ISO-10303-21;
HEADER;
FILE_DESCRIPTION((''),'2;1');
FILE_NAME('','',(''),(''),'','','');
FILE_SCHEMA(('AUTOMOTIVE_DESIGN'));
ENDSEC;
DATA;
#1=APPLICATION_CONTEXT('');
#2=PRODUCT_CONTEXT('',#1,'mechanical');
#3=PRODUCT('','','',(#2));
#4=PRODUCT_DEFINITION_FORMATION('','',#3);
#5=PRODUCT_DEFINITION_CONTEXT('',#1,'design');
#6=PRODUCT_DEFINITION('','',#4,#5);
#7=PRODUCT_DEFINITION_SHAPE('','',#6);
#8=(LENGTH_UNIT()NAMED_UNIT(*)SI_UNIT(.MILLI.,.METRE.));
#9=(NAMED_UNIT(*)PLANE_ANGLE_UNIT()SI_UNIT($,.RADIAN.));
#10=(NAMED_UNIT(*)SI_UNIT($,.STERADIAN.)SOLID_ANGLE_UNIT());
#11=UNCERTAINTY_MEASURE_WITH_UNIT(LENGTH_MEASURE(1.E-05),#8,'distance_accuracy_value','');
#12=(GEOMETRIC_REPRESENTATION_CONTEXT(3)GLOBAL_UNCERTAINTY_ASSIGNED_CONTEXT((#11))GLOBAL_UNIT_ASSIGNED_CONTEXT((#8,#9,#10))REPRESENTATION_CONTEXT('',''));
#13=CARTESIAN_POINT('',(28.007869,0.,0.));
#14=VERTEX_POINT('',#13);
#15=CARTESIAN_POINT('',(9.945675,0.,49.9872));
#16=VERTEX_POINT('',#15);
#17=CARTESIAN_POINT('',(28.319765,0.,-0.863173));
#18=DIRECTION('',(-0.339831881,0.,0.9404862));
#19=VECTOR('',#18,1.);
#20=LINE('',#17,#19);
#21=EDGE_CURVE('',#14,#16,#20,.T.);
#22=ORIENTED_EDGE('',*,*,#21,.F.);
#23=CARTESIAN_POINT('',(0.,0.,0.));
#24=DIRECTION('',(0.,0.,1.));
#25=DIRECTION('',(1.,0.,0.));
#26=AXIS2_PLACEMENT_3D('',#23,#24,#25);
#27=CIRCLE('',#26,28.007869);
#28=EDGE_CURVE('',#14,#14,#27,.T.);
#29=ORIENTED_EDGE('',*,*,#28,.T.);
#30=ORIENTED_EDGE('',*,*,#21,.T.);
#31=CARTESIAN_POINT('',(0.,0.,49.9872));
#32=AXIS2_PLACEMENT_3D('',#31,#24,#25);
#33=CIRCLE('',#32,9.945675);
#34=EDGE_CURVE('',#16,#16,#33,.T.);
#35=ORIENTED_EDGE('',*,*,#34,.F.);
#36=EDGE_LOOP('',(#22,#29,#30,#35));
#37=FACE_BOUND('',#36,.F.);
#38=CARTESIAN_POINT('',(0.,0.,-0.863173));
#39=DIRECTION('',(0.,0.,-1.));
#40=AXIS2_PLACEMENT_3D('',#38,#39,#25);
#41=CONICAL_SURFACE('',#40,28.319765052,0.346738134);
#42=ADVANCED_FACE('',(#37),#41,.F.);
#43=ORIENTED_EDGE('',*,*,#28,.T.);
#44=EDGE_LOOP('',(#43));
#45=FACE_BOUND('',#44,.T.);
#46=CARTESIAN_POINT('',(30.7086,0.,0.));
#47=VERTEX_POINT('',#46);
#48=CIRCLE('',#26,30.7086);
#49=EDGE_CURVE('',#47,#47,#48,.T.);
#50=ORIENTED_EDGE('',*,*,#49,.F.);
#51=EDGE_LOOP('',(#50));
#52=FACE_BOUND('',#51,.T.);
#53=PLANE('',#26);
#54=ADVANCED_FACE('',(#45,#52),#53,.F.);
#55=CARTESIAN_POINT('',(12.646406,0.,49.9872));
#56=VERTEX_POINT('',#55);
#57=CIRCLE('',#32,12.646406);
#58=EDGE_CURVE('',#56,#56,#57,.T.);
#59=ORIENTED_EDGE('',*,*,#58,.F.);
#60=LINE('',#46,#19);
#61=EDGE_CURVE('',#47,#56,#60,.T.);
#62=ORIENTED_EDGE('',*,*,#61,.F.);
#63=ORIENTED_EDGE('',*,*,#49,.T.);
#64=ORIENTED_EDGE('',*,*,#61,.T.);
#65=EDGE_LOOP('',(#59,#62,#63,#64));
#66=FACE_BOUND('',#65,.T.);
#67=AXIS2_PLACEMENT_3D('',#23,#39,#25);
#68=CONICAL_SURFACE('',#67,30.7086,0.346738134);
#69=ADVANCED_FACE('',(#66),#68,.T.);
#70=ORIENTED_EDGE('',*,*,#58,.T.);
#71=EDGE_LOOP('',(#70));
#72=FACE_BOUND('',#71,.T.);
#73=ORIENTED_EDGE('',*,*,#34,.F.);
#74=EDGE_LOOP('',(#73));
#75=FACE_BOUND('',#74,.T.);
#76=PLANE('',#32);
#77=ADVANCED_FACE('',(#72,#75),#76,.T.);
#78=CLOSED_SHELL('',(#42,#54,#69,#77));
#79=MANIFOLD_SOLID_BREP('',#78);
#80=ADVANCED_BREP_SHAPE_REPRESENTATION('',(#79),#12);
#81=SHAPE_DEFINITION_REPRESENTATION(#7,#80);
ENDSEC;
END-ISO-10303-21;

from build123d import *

# Parameters (mm, degrees)
F2_T = -2.54


with BuildPart() as f1:
    # F0 (on Front) → F1 (revolve)
    with BuildSketch(Plane.XZ):
        Polygon((12.646406, 49.9872), (0, 49.9872), (0, 0), (30.7086, 0), align=None)
    revolve(axis=Axis((0, 0, 24.9936), (0, 0, 1)))

    # F2
    f2_openings = [f1.faces().sort_by_distance(p)[0] for p in [
        (0, 0, 0),
        (0, 0, 49.9872),
    ]]
    offset(amount=F2_T, openings=f2_openings)


solid = f1.part
